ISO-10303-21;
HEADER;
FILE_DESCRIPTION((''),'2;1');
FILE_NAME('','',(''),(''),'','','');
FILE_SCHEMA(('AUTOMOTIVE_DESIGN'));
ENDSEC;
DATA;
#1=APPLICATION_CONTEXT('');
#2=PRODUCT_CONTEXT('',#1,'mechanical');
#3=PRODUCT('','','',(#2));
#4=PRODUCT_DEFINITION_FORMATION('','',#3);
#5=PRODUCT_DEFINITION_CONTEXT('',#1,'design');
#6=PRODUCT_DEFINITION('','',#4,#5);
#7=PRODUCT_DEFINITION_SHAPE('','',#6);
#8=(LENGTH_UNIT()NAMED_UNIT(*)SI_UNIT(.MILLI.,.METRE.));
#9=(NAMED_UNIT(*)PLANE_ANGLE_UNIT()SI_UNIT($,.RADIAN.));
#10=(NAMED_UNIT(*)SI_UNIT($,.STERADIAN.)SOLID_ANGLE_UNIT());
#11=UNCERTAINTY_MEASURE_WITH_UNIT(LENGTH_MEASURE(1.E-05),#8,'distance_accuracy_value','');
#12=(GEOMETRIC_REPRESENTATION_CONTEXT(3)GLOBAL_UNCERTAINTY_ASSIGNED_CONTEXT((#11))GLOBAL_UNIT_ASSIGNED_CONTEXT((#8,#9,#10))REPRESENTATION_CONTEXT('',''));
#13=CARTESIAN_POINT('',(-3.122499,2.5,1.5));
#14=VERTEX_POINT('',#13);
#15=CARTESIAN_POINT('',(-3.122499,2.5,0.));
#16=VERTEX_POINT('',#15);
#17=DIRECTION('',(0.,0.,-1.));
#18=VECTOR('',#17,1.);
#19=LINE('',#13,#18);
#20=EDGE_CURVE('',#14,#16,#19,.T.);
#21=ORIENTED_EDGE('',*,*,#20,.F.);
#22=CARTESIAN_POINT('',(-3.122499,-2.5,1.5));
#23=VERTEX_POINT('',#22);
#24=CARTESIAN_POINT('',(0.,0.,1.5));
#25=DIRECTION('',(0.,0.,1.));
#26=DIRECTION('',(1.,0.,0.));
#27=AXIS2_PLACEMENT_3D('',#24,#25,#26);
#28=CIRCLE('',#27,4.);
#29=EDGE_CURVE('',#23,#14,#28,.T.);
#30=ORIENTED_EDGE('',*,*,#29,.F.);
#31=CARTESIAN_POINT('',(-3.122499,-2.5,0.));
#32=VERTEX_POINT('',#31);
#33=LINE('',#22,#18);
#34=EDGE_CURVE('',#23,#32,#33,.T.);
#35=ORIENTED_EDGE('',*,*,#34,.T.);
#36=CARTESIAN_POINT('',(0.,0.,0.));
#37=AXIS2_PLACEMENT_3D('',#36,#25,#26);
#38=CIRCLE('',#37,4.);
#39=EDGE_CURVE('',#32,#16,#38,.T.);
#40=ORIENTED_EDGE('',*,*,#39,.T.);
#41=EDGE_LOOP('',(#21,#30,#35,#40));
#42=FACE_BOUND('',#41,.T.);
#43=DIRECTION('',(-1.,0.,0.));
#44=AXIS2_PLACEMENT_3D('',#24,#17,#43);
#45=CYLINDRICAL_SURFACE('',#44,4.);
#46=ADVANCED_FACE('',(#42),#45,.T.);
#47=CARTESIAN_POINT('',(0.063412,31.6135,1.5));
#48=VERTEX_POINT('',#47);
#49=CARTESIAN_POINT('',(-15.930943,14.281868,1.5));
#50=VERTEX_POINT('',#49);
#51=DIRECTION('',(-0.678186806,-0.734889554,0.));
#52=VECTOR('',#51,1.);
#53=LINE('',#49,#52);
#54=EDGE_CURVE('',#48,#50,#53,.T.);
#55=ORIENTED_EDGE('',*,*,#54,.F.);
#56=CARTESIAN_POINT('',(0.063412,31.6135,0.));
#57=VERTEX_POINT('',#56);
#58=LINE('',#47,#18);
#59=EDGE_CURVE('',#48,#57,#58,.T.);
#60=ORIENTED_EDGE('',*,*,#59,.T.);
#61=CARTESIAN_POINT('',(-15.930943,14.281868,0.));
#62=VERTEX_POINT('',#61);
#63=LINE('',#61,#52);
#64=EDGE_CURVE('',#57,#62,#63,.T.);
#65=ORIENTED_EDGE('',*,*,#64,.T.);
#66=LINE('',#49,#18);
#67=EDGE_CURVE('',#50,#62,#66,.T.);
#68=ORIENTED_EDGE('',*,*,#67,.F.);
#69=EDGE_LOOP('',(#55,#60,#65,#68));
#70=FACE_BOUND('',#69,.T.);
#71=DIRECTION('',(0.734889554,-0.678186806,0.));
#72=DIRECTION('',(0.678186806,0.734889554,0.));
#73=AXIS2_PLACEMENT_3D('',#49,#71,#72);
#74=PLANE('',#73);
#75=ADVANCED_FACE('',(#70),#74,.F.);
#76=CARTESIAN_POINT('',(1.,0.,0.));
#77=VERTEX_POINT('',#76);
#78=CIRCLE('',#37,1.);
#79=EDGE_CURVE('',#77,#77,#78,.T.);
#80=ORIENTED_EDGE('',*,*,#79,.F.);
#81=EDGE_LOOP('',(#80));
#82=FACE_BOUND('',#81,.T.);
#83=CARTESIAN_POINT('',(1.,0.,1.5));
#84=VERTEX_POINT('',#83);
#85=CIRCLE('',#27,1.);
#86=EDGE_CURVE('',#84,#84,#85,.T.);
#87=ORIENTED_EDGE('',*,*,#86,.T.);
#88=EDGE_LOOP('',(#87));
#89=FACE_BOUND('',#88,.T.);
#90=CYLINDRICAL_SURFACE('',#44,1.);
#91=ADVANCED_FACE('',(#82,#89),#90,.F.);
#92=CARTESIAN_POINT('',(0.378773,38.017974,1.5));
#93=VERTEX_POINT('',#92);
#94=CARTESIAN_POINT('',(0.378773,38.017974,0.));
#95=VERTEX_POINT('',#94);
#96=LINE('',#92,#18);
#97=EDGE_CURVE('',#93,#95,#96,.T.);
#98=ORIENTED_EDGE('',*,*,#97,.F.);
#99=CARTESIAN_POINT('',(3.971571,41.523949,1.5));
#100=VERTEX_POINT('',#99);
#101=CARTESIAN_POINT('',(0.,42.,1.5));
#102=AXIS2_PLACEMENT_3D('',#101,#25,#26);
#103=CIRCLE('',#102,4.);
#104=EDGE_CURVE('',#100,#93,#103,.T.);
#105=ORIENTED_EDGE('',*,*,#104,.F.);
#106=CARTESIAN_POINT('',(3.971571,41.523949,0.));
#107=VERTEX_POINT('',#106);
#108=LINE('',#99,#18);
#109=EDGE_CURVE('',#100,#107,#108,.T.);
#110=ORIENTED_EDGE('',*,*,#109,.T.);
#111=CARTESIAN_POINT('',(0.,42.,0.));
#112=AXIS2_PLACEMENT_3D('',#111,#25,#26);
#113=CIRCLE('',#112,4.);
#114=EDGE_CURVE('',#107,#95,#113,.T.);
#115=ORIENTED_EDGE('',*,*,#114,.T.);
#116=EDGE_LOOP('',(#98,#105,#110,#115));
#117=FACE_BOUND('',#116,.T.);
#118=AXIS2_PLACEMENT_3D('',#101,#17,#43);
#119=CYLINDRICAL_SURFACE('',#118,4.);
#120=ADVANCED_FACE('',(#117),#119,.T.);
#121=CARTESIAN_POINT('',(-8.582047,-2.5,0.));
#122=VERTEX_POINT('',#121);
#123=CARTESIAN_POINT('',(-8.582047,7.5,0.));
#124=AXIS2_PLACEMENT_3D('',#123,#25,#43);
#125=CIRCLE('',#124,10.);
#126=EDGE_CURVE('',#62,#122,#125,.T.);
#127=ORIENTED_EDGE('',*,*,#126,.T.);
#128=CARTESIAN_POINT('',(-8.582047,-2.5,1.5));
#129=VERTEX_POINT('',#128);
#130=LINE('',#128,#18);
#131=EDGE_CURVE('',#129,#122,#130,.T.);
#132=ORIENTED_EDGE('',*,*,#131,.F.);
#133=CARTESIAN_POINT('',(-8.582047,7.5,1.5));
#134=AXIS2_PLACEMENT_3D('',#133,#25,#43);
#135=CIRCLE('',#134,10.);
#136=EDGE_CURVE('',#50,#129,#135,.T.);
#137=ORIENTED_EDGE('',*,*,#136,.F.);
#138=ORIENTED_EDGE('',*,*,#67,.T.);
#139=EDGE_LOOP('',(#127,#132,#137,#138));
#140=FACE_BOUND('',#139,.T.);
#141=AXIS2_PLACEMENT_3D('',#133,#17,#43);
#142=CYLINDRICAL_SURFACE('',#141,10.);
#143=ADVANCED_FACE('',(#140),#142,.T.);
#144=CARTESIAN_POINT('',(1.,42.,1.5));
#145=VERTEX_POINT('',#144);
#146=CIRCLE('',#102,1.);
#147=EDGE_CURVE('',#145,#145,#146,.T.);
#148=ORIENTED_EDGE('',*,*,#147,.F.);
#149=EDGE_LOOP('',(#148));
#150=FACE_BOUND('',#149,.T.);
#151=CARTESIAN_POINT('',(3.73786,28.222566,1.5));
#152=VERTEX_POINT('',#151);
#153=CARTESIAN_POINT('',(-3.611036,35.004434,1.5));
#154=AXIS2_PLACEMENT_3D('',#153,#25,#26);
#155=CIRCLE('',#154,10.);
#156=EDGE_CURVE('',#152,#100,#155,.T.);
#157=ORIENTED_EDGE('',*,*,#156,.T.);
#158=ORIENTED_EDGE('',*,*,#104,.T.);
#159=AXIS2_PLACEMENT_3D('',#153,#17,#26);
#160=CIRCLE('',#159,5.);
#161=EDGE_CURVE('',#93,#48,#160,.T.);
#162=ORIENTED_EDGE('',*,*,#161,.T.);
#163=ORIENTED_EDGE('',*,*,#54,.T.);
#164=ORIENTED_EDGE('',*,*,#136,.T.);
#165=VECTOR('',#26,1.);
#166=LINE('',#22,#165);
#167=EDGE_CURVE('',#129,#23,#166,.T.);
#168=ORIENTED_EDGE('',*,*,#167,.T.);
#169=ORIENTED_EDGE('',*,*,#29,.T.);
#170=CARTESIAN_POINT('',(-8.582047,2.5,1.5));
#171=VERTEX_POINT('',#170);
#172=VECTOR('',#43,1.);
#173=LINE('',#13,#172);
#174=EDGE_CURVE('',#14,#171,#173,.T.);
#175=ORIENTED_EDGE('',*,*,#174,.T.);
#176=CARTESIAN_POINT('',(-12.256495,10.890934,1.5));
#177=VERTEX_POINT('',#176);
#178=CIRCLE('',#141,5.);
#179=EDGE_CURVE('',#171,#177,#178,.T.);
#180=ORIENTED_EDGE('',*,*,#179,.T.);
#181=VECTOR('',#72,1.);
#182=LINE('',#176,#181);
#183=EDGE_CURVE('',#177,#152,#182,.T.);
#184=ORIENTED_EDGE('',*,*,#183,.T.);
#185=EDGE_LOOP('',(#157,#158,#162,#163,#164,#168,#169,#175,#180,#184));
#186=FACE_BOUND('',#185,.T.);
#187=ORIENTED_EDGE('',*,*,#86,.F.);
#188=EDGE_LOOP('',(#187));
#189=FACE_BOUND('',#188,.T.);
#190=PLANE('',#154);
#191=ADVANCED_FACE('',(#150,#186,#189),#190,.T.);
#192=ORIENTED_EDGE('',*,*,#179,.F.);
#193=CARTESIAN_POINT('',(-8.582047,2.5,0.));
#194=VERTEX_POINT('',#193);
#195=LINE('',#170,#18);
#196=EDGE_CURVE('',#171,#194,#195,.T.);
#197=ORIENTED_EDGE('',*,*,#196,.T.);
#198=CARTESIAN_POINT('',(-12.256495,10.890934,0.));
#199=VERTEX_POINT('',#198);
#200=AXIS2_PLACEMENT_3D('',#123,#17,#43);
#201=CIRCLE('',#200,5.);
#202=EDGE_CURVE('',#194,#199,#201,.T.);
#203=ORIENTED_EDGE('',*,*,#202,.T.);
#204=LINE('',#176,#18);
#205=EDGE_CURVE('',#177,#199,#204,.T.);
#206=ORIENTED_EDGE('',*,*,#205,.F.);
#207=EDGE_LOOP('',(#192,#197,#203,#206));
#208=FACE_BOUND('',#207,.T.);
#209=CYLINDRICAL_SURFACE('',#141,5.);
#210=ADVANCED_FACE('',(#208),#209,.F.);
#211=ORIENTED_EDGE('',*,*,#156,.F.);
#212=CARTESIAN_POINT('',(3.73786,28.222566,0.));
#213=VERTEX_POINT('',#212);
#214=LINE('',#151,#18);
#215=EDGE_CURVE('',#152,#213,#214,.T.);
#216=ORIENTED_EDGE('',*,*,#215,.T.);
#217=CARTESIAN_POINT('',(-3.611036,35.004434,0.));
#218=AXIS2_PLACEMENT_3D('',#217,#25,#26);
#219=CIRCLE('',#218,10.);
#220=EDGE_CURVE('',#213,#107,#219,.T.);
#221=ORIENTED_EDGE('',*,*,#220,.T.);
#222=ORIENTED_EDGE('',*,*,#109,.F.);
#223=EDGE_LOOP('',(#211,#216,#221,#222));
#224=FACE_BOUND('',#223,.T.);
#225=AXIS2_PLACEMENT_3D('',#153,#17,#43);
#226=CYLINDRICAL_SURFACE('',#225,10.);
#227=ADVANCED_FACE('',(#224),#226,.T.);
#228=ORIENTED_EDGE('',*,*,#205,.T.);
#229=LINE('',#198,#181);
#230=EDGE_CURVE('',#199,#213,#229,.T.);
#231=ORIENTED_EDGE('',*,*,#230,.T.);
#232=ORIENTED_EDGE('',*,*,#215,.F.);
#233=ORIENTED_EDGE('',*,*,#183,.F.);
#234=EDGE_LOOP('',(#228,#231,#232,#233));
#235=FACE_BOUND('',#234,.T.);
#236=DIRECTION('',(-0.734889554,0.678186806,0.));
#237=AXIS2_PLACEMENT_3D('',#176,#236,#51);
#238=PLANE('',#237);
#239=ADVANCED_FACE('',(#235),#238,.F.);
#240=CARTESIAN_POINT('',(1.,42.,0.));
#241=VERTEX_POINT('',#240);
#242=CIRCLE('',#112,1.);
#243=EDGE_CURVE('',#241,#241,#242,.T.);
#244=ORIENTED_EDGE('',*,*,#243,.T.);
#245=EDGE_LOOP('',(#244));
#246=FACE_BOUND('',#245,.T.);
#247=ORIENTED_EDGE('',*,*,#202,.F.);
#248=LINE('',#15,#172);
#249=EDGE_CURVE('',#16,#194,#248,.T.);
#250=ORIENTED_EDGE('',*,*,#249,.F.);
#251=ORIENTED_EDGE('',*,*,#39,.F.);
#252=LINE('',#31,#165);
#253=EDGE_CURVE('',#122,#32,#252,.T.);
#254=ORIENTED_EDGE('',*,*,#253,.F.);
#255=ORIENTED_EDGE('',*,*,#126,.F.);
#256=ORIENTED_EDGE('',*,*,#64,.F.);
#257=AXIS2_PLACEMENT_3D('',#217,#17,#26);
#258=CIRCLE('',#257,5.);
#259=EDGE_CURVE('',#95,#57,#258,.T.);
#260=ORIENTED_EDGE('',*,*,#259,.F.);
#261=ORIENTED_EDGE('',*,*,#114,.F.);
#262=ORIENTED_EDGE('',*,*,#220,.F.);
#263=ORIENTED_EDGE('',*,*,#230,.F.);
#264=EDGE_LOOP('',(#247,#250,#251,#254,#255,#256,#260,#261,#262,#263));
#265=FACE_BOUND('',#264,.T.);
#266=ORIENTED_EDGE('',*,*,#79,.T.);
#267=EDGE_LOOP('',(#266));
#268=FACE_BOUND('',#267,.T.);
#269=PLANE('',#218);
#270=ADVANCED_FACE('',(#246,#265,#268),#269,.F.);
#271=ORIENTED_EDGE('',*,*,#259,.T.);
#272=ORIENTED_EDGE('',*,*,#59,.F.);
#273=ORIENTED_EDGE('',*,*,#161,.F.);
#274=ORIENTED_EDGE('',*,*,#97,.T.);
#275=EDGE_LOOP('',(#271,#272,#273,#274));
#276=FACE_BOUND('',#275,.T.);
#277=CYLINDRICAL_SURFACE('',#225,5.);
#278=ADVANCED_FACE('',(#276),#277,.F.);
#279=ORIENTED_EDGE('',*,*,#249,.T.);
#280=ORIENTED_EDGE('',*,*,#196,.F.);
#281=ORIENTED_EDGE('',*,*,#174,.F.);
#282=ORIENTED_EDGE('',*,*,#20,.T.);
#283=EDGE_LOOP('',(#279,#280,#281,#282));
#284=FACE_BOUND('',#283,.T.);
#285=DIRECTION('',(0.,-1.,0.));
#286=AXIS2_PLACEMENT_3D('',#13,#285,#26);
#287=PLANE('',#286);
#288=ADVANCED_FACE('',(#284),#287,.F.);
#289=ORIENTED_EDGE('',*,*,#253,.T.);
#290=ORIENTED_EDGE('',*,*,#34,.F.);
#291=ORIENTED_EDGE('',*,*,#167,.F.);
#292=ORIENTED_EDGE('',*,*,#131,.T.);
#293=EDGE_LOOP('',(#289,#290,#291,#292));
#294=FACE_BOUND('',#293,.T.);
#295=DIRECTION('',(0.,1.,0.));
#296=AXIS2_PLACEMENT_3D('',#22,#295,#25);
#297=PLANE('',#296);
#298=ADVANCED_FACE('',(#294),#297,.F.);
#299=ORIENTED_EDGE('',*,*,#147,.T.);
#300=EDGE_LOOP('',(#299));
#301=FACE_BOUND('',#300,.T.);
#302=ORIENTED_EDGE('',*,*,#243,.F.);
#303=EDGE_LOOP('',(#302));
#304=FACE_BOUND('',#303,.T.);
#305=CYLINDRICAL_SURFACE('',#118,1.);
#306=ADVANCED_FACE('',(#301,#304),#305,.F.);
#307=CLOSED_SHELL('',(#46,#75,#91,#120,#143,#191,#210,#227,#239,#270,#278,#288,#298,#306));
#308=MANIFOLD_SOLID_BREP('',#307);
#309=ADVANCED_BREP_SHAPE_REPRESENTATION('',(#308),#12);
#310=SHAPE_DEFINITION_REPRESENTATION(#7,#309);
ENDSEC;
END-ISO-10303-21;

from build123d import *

# Parameters (mm, degrees)
SKETCH1_R           = 1
BOSS_EXTRUDE1_DEPTH = 1.5


with BuildPart() as part:
    # Sketch1 → Boss-Extrude1 (new body)
    with BuildSketch(Plane.XY):
        with BuildLine():
            Line((-3.122498999, 2.5), (-8.582047484, 2.5))
            ThreePointArc((-8.582047484, 2.5), (-13.162149565, 5.494341772), (-12.256495253, 10.89093403))
            Line((-12.256495253, 10.89093403), (3.737859555, 28.222566206))
            ThreePointArc((3.737859555, 28.222566206), (6.38742077, 34.828756828), (3.971570907, 41.523949028))
            ThreePointArc((3.971570907, 41.523949028), (-2.793624676, 44.86280652), (0.378773293, 38.017974034))
            ThreePointArc((0.378773293, 38.017974034), (1.382913373, 34.75852813), (0.063411786, 31.613500235))
            Line((0.063411786, 31.613500235), (-15.930943021, 14.281868059))
            ThreePointArc((-15.930943021, 14.281868059), (-17.742251646, 3.488683545), (-8.582047484, -2.5))
            Line((-8.582047484, -2.5), (-3.122498999, -2.5))
            ThreePointArc((-3.122498999, -2.5), (4, 0), (-3.122498999, 2.5))
        make_face()
        Circle(SKETCH1_R, mode=Mode.SUBTRACT)
        with Locations((0, 42)):
            Circle(SKETCH1_R, mode=Mode.SUBTRACT)
    extrude(amount=BOSS_EXTRUDE1_DEPTH)


solid = part.part
